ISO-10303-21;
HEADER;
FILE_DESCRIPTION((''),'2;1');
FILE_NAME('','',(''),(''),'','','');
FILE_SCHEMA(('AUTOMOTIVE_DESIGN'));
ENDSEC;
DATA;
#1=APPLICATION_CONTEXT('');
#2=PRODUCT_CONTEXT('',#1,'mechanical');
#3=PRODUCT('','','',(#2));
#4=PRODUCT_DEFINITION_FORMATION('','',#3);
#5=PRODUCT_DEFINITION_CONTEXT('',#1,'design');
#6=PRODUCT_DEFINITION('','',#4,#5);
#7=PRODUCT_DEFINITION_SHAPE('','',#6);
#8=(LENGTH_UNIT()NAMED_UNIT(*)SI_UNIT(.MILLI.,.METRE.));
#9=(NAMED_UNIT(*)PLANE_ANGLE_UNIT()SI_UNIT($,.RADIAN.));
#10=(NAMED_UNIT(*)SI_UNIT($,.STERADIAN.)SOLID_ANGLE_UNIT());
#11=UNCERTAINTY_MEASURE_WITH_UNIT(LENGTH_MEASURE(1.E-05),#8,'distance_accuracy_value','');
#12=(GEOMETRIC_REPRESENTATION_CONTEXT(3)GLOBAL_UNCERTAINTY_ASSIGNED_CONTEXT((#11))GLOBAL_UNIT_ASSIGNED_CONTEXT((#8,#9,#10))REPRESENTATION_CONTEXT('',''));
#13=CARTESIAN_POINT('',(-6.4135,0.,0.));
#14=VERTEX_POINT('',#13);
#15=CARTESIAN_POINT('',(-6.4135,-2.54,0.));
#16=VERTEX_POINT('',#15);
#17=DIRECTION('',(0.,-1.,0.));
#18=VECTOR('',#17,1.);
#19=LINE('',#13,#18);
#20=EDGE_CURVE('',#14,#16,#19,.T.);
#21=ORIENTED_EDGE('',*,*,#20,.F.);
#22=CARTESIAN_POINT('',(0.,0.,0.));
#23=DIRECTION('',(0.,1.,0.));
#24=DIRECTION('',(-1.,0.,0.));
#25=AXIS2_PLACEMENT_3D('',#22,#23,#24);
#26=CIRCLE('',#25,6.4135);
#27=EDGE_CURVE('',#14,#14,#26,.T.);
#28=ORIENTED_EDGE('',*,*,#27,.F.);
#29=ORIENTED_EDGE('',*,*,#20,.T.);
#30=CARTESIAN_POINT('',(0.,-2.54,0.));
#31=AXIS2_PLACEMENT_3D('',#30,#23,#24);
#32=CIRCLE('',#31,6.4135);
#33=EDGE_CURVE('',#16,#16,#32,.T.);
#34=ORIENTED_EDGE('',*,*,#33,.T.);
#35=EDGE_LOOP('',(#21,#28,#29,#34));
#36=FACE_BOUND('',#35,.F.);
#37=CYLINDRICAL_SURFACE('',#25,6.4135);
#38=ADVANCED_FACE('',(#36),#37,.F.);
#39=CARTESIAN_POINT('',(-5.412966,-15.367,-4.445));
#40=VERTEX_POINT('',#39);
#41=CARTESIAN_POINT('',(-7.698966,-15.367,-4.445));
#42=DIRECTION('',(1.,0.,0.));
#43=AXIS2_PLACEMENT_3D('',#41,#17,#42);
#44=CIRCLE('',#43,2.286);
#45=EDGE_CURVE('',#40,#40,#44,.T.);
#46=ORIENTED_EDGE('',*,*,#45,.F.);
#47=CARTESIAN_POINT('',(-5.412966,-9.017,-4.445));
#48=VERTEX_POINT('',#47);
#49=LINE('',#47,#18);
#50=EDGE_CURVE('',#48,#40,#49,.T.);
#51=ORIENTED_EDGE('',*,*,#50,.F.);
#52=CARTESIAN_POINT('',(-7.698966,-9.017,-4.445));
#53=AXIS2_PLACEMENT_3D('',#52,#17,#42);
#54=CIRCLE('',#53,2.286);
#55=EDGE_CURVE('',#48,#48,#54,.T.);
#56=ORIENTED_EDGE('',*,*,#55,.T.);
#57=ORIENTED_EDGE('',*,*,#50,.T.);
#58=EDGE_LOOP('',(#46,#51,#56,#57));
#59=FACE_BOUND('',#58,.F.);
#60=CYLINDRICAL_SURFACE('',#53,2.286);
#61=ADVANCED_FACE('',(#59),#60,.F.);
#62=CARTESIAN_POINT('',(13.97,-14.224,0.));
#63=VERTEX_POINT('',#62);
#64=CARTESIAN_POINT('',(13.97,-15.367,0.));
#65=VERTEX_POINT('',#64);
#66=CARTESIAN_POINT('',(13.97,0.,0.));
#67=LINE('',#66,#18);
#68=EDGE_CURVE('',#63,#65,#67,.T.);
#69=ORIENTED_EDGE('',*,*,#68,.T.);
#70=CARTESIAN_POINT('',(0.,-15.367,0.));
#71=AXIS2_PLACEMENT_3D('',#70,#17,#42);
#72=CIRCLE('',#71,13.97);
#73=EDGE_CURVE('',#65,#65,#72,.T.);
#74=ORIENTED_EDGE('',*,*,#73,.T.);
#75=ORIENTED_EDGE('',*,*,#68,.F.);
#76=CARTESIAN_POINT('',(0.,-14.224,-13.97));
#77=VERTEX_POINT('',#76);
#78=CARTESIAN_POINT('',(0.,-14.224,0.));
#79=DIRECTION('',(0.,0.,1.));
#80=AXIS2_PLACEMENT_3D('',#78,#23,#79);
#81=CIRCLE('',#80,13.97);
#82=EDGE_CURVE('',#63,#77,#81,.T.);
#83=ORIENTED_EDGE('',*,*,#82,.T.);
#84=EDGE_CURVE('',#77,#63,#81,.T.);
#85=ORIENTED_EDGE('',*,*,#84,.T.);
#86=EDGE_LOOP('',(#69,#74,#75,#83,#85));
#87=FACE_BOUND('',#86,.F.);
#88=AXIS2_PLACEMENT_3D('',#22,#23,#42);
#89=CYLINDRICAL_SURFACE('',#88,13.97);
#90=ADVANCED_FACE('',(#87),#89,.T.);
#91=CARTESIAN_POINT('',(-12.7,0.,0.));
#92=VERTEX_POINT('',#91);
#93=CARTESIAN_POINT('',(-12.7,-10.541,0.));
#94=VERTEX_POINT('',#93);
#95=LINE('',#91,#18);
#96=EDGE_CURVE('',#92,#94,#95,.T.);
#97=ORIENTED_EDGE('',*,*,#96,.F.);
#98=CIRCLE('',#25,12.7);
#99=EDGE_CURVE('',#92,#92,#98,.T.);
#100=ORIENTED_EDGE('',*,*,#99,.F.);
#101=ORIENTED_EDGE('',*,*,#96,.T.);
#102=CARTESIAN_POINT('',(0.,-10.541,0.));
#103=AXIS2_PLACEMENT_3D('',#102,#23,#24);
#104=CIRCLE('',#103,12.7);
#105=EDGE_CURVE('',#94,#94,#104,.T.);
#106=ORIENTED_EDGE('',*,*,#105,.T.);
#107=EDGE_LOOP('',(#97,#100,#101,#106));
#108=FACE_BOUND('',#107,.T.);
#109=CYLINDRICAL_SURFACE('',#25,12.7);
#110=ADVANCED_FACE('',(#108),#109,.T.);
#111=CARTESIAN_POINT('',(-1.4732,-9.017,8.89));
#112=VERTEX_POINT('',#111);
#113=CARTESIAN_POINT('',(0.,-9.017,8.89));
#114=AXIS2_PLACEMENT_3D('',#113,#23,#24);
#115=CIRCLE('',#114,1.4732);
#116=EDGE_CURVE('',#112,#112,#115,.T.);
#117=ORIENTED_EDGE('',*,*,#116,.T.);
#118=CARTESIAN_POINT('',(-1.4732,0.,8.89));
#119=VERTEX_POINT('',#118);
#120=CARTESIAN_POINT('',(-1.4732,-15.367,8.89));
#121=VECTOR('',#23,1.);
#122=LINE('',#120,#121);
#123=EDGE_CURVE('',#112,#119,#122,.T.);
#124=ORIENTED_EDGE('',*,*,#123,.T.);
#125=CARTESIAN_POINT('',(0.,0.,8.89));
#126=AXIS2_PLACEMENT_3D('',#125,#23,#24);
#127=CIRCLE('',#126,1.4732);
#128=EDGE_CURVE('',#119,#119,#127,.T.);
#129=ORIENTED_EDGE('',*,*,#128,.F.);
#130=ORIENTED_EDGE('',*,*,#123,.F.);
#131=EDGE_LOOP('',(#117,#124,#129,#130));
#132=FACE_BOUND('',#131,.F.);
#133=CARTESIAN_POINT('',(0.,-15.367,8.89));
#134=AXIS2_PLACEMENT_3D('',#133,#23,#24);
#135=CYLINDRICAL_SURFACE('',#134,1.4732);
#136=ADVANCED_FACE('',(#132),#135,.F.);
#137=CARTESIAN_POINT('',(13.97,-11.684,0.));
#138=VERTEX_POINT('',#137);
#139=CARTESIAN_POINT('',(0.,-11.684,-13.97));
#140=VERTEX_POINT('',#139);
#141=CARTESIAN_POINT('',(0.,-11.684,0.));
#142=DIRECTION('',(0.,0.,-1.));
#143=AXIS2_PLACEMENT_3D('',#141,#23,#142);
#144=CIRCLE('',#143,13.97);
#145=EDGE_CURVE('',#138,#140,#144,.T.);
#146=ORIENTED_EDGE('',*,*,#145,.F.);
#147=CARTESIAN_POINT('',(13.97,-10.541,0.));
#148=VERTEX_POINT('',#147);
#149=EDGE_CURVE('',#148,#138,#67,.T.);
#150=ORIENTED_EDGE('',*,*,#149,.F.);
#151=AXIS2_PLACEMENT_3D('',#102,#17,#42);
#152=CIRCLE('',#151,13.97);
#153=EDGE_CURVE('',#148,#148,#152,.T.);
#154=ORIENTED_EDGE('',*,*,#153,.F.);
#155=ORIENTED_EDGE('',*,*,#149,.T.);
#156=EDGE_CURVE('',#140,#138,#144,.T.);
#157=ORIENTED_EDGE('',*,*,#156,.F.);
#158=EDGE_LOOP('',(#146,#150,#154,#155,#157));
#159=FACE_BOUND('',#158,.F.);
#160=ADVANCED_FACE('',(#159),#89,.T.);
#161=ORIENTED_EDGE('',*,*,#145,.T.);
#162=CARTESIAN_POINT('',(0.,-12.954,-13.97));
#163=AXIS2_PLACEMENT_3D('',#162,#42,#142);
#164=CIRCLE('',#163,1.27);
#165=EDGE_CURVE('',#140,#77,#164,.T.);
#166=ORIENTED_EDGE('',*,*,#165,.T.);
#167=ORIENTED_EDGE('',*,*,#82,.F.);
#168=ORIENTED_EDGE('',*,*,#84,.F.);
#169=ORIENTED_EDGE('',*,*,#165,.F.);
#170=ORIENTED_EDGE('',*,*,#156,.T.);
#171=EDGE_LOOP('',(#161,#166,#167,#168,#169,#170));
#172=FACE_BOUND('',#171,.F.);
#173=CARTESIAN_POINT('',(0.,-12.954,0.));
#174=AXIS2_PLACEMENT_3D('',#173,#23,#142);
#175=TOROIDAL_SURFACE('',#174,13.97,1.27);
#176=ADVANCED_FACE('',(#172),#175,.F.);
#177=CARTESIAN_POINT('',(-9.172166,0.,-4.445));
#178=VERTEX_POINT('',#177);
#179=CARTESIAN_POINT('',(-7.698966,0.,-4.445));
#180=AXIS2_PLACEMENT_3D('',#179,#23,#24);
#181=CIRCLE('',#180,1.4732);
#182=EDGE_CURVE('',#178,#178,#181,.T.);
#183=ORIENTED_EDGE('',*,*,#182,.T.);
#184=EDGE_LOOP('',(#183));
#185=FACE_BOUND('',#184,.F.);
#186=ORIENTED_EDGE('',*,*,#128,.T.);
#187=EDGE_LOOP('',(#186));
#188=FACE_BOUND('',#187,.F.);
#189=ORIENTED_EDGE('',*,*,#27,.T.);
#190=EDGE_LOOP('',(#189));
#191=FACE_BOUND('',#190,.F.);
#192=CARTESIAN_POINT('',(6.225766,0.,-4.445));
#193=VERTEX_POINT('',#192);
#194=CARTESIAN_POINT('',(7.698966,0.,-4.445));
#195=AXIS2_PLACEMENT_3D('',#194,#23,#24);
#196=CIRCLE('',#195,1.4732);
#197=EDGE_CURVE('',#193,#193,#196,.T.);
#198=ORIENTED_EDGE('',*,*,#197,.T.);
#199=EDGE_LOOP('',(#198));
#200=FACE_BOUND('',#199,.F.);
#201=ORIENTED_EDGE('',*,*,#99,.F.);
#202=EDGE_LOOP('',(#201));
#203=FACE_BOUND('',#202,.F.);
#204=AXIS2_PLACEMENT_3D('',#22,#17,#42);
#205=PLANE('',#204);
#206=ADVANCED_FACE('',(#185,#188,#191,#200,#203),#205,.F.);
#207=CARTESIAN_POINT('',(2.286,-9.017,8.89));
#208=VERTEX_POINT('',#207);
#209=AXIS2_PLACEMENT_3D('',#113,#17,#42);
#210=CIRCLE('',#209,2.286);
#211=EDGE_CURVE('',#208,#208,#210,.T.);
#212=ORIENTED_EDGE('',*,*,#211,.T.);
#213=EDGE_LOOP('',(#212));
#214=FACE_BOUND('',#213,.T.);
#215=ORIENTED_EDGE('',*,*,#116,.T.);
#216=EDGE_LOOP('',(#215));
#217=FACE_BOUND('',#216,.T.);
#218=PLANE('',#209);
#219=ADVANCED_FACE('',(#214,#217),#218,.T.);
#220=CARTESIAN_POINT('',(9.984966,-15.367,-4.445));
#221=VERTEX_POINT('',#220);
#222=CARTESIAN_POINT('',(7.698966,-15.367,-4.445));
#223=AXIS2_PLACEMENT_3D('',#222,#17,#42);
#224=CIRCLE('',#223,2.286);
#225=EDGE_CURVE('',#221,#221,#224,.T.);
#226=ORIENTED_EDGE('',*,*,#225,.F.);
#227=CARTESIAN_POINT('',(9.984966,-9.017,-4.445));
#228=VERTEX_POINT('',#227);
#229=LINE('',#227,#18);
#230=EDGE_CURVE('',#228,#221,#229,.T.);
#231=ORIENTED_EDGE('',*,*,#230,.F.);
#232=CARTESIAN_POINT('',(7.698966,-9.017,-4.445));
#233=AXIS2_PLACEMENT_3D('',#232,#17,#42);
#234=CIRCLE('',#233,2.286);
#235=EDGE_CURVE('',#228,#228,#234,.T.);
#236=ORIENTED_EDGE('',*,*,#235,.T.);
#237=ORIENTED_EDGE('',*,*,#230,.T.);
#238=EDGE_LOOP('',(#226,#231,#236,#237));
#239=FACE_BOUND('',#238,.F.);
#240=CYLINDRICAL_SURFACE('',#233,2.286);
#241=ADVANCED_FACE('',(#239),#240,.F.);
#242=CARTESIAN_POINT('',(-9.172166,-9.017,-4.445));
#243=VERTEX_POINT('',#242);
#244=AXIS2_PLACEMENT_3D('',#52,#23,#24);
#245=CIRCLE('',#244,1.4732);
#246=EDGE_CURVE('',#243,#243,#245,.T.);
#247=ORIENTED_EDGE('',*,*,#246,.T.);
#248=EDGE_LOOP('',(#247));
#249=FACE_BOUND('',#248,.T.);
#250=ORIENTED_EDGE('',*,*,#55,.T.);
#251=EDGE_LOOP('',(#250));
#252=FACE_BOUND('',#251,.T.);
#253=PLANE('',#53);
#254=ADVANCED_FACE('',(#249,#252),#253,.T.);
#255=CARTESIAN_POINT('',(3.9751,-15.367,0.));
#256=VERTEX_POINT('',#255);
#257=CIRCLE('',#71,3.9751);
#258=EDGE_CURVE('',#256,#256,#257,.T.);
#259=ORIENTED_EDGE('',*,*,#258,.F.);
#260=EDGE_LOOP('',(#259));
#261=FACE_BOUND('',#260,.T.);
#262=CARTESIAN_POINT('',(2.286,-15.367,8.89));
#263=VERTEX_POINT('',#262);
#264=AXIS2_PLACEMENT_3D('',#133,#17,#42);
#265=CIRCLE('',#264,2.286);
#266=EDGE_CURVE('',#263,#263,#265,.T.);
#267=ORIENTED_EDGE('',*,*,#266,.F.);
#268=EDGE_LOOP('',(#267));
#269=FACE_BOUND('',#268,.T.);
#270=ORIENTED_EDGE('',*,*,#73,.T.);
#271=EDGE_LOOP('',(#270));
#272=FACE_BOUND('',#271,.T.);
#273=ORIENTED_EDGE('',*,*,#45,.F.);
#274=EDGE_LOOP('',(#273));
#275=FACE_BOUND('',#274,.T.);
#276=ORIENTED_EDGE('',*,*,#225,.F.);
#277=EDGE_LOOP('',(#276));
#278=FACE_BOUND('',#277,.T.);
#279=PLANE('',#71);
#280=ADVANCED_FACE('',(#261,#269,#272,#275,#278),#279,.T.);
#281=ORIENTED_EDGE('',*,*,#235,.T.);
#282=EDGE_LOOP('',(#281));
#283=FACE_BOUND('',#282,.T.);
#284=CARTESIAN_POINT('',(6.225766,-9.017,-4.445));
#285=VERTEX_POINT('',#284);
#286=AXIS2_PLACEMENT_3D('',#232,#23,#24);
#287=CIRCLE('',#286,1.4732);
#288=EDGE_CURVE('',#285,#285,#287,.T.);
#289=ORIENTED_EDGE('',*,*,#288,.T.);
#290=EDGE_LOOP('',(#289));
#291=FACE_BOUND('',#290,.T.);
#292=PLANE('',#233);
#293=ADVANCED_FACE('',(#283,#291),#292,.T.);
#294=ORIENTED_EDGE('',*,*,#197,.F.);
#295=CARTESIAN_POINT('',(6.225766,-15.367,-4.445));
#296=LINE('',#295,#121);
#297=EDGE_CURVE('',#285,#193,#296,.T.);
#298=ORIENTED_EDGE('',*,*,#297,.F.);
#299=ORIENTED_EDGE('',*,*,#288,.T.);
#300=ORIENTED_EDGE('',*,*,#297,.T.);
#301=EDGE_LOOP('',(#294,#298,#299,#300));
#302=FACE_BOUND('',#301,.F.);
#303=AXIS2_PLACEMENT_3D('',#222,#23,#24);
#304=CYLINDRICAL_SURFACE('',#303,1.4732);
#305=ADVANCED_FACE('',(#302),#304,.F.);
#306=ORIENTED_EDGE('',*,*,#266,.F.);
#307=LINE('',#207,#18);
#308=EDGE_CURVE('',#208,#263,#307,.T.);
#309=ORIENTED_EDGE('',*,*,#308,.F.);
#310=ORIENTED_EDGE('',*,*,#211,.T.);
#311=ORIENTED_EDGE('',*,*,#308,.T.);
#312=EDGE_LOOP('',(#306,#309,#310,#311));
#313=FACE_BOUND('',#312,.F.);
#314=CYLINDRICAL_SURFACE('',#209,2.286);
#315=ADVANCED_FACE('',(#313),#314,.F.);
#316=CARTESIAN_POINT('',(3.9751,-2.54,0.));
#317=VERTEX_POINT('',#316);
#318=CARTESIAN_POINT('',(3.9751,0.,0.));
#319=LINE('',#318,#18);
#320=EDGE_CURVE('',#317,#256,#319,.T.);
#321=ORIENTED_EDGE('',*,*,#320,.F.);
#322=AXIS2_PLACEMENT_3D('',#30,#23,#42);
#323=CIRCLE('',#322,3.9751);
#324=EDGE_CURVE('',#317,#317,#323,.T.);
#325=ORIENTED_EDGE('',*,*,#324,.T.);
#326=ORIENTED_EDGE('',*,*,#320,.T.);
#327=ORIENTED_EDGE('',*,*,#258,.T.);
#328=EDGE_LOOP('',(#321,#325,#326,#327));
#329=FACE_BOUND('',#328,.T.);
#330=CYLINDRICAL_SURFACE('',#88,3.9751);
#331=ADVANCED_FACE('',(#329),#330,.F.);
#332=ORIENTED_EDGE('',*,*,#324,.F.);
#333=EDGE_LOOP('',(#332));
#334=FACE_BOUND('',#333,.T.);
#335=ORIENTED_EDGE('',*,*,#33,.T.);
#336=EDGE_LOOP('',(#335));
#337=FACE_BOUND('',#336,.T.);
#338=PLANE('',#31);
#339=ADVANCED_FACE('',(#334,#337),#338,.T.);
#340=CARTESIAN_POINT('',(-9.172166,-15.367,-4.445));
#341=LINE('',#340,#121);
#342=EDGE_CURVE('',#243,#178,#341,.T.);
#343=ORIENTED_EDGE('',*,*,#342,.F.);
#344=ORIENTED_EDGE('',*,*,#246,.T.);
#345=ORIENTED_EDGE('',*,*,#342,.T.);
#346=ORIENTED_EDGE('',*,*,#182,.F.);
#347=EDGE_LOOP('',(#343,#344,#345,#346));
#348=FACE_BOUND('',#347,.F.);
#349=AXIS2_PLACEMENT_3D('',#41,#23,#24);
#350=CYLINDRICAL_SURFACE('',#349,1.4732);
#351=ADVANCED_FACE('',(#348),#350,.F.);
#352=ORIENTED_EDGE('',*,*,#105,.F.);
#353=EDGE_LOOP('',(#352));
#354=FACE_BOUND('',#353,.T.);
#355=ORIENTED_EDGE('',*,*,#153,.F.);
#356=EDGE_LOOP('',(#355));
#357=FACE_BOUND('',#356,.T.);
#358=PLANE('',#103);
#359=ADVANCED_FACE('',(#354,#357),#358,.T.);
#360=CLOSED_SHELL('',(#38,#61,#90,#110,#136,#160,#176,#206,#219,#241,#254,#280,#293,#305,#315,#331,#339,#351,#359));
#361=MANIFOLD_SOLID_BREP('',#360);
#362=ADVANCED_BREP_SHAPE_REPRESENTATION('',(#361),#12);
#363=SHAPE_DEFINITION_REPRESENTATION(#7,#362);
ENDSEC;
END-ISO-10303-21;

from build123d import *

# Parameters (mm, degrees)
F0_R           = 13.97
F0_R_2         = 3.9751
F1_DEPTH       = 15.367
F3_D           = 2.9464
F3_CBORE_D     = 4.572
F3_CBORE_DEPTH = 6.35
F4_R           = 6.4135
F4_R_2         = 3.9751
F5_DEPTH       = 2.54
F6_R           = 1.27
F8_R           = 13.97
F8_R_2         = 12.7
F9_DEPTH       = 10.541


with BuildPart() as f1:
    # F0 (on Front) → F1 (new body)
    with BuildSketch(Plane.XZ):
        Circle(F0_R)
        Circle(F0_R_2, mode=Mode.SUBTRACT)
    extrude(amount=F1_DEPTH)

    # F3 (through all)
    with Locations(Plane.XZ.offset(15.367)):
        with Locations((0, 8.89), (-7.6989658396, -4.445), (7.6989658396, -4.445)):
            CounterBoreHole(F3_D / 2, F3_CBORE_D / 2, F3_CBORE_DEPTH)

    # F4 (on face) → F5 (cut)
    with BuildSketch(Plane(origin=(0, 0, 0), x_dir=(-1, 0, 0), z_dir=(0, 1, 0))):
        Circle(F4_R)
        Circle(F4_R_2, mode=Mode.SUBTRACT)
    extrude(amount=-F5_DEPTH, mode=Mode.SUBTRACT)

    # F7: sweep along a path in F7_path
    with BuildLine(Plane(origin=(13.97, -15.367, 0), x_dir=(0, 0, -1), z_dir=(0, 1, 0))) as f7_path:
        CenterArc((0, 13.97), 13.97, 0, 360)
    # F6 (on Right) → F7 (sweep, cut)
    with BuildSketch(Plane.YZ):
        with Locations((-12.954, 13.97)):
            Circle(F6_R)
    sweep(path=f7_path.line, mode=Mode.SUBTRACT)

    # F8 (on face) → F9 (cut)
    with BuildSketch(Plane(origin=(0, 0, 0), x_dir=(-1, 0, 0), z_dir=(0, 1, 0))):
        Circle(F8_R)
        Circle(F8_R_2, mode=Mode.SUBTRACT)
    extrude(amount=-F9_DEPTH, mode=Mode.SUBTRACT)


solid = f1.part
